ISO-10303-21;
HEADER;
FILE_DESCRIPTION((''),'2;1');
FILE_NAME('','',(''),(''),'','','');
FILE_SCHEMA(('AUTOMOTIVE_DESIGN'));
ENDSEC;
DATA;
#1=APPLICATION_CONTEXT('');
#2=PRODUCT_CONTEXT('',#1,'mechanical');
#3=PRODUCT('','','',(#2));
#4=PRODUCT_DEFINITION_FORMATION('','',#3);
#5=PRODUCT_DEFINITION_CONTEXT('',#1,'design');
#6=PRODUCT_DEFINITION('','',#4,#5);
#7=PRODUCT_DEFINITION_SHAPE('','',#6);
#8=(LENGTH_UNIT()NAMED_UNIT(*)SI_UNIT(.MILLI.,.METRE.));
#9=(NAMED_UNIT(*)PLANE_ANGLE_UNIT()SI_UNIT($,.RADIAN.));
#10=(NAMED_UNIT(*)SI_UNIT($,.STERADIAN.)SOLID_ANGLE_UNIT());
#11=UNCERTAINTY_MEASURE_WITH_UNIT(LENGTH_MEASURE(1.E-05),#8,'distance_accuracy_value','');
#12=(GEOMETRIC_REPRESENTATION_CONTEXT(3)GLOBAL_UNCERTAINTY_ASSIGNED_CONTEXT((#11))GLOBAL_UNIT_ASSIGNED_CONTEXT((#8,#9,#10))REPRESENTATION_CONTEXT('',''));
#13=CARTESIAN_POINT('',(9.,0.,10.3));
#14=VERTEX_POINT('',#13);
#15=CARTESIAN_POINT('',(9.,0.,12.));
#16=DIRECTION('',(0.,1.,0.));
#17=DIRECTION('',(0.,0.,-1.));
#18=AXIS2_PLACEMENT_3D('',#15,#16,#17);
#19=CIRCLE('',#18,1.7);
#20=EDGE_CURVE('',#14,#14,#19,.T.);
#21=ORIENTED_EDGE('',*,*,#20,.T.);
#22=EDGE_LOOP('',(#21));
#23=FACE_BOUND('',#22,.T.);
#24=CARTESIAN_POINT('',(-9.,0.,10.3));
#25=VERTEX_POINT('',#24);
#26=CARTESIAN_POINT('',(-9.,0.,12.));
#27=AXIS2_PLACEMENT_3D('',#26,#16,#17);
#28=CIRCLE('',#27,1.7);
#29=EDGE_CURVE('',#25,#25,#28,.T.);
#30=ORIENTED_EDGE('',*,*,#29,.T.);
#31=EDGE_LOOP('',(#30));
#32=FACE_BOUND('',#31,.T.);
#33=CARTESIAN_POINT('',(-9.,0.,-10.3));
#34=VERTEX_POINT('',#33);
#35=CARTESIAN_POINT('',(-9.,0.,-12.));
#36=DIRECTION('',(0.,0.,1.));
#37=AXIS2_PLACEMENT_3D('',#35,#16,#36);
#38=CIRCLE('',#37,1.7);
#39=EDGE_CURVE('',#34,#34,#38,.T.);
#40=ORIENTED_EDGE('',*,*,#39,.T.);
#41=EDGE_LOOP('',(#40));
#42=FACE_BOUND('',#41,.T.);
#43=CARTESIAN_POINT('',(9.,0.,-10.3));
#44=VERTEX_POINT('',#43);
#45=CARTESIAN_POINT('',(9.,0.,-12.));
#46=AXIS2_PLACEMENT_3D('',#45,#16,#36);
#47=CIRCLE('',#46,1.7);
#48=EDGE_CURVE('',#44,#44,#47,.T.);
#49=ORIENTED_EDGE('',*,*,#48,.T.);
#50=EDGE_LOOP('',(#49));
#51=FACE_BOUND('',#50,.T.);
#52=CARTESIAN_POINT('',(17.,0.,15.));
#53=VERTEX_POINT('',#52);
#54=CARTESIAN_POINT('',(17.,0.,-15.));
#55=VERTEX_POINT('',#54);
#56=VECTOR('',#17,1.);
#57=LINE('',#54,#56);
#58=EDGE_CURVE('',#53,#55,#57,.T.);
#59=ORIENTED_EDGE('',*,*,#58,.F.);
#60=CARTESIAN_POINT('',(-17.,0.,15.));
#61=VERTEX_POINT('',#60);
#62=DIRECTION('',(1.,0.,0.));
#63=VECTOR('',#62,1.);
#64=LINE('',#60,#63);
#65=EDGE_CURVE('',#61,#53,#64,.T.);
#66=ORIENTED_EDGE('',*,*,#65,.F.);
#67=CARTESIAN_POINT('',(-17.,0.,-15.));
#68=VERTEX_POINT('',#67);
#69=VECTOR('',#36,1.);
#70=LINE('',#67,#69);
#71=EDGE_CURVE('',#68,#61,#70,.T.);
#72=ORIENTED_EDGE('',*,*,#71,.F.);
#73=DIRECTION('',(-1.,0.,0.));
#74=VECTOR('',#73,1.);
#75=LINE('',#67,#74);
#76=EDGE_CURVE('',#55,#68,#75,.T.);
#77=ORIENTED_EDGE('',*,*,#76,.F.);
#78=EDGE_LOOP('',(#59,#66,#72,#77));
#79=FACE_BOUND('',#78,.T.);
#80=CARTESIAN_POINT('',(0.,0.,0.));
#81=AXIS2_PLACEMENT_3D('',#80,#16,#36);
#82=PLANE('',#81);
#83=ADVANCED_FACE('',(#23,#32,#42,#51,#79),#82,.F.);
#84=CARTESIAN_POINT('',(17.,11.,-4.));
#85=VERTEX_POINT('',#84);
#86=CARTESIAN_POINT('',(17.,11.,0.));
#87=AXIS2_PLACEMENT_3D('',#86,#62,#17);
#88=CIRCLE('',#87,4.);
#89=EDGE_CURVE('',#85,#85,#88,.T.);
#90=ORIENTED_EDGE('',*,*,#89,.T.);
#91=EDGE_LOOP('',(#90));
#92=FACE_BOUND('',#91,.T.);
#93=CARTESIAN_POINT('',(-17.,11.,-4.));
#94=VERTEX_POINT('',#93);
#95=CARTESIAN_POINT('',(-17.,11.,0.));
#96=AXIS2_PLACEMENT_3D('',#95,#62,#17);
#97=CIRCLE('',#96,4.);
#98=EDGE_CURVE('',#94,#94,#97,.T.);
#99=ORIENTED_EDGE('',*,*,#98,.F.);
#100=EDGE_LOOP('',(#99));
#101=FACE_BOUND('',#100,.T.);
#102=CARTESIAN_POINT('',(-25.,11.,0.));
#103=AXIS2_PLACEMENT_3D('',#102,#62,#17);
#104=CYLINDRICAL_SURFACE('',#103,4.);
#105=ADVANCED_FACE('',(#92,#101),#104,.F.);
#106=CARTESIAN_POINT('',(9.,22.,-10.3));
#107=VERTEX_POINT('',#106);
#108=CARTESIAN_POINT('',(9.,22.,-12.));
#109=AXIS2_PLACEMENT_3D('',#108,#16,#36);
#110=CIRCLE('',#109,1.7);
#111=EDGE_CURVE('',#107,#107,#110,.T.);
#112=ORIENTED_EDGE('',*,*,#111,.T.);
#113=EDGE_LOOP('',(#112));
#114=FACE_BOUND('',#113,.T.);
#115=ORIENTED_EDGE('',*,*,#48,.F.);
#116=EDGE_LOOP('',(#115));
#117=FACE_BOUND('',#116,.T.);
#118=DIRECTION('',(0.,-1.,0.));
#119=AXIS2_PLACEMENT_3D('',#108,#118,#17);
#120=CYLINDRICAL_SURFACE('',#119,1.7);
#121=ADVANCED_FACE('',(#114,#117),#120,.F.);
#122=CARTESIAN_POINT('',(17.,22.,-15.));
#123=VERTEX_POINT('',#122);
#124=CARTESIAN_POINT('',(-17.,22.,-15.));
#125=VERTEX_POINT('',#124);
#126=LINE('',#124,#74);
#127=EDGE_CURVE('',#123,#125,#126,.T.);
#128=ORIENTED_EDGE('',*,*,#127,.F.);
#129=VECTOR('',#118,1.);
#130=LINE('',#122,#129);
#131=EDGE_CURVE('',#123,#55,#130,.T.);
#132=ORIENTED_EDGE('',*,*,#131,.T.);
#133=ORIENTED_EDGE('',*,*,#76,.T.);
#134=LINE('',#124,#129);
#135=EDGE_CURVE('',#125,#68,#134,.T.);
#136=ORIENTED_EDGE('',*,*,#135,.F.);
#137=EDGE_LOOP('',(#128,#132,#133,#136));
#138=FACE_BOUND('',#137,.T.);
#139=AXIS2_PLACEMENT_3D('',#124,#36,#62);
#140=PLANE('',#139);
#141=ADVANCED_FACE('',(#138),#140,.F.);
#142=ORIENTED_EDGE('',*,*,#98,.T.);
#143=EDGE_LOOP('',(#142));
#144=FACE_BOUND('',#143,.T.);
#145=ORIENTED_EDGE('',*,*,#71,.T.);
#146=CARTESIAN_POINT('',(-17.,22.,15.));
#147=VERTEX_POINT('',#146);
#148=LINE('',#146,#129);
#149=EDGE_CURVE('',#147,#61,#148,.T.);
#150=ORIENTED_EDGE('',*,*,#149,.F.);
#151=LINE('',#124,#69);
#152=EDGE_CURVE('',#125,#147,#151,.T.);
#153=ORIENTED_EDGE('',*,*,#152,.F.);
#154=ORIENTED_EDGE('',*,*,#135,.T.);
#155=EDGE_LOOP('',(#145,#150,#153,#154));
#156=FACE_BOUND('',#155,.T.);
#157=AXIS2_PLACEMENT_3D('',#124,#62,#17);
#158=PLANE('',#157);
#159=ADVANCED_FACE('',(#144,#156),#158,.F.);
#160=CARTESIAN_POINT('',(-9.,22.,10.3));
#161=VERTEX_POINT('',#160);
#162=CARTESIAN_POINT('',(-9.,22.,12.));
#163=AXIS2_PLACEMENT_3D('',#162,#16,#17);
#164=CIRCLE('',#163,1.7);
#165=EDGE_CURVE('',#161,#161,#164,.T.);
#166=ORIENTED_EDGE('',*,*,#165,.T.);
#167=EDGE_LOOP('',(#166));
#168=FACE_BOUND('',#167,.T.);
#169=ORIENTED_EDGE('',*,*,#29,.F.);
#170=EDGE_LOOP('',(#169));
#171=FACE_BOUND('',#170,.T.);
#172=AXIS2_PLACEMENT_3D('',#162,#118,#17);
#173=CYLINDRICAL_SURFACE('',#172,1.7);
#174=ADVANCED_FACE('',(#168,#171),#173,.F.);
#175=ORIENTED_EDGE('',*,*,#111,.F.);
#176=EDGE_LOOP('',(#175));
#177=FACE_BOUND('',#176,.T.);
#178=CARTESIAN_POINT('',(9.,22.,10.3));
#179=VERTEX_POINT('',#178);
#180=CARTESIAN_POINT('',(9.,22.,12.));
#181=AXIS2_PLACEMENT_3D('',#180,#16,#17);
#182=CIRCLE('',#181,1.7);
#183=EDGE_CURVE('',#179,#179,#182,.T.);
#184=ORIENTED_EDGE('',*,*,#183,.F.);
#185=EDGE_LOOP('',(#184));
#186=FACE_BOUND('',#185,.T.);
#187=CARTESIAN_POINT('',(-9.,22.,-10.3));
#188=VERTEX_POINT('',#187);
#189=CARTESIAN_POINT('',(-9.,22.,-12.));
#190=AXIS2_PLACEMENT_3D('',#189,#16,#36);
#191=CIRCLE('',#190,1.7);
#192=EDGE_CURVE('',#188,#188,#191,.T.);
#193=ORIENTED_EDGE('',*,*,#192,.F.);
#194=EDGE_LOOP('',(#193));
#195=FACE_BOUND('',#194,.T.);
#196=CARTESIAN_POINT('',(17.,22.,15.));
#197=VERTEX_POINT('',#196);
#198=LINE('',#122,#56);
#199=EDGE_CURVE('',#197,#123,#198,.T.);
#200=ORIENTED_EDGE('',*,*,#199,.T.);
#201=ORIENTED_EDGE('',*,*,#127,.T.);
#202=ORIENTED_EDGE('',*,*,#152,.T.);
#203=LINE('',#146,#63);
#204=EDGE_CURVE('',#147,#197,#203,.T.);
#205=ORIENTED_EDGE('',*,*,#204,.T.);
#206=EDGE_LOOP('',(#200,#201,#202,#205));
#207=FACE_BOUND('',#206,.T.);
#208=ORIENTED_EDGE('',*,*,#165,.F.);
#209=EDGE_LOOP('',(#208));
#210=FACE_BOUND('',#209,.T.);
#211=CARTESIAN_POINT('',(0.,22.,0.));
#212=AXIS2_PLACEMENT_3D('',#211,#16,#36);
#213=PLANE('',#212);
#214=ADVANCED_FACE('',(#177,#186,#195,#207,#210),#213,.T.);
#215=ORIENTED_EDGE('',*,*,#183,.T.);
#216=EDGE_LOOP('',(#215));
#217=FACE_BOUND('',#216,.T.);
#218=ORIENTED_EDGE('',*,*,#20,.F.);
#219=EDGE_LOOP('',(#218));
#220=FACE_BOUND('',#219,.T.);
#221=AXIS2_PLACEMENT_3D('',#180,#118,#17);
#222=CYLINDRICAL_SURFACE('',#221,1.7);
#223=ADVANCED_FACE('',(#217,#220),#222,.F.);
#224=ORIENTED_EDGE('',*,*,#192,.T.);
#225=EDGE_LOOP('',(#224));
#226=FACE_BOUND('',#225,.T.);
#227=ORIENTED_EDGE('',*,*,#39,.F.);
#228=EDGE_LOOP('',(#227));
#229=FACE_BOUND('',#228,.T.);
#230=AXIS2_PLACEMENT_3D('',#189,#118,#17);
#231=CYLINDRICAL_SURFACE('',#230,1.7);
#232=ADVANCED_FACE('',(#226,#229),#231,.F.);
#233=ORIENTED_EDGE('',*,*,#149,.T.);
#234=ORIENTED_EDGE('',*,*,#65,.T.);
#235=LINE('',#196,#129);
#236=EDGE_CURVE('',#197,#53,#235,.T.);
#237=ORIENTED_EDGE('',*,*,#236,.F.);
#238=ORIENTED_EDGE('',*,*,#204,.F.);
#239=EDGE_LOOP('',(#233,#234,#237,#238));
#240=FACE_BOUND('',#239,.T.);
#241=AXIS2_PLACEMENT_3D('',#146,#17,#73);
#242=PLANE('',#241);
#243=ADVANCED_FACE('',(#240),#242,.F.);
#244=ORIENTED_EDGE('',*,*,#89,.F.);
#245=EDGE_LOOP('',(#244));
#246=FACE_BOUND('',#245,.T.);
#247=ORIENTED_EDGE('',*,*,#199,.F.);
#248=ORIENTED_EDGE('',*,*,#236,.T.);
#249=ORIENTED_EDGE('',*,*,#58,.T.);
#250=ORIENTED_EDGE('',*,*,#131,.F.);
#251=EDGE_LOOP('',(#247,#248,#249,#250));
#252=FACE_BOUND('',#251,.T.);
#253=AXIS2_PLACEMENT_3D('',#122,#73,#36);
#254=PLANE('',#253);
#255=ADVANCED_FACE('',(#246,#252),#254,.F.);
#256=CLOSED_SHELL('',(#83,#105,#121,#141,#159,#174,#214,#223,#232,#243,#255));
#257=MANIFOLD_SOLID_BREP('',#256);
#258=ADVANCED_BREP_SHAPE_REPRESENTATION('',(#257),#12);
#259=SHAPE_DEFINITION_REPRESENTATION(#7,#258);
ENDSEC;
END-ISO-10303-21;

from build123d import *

# Parameters (mm, degrees)
SKETCH1_W           = 34
SKETCH1_H           = 30
SKETCH1_R           = 1.7
BOSS_EXTRUDE1_DEPTH = 22
SKETCH4_R           = 4
CUT_EXTRUDE2_DEPTH  = 42


with BuildPart() as part:
    # Sketch1 → Boss-Extrude1 (new body)
    with BuildSketch(Plane(origin=(0, 0, 0), x_dir=(1, 0, 0), z_dir=(0, 1, 0))):
        Rectangle(SKETCH1_W, SKETCH1_H)
        with Locations((-9, 12)):
            Circle(SKETCH1_R, mode=Mode.SUBTRACT)
        with Locations((9, 12)):
            Circle(SKETCH1_R, mode=Mode.SUBTRACT)
        with Locations((9, -12)):
            Circle(SKETCH1_R, mode=Mode.SUBTRACT)
        with Locations((-9, -12)):
            Circle(SKETCH1_R, mode=Mode.SUBTRACT)
    extrude(amount=BOSS_EXTRUDE1_DEPTH)

    # Sketch4 → Cut-Extrude2 (cut)
    with BuildSketch(Plane(origin=(17, 0, 0), x_dir=(0, 0, -1), z_dir=(1, 0, 0))):
        with Locations((0, 11)):
            Circle(SKETCH4_R)
    extrude(amount=-CUT_EXTRUDE2_DEPTH, mode=Mode.SUBTRACT)


solid = part.part
